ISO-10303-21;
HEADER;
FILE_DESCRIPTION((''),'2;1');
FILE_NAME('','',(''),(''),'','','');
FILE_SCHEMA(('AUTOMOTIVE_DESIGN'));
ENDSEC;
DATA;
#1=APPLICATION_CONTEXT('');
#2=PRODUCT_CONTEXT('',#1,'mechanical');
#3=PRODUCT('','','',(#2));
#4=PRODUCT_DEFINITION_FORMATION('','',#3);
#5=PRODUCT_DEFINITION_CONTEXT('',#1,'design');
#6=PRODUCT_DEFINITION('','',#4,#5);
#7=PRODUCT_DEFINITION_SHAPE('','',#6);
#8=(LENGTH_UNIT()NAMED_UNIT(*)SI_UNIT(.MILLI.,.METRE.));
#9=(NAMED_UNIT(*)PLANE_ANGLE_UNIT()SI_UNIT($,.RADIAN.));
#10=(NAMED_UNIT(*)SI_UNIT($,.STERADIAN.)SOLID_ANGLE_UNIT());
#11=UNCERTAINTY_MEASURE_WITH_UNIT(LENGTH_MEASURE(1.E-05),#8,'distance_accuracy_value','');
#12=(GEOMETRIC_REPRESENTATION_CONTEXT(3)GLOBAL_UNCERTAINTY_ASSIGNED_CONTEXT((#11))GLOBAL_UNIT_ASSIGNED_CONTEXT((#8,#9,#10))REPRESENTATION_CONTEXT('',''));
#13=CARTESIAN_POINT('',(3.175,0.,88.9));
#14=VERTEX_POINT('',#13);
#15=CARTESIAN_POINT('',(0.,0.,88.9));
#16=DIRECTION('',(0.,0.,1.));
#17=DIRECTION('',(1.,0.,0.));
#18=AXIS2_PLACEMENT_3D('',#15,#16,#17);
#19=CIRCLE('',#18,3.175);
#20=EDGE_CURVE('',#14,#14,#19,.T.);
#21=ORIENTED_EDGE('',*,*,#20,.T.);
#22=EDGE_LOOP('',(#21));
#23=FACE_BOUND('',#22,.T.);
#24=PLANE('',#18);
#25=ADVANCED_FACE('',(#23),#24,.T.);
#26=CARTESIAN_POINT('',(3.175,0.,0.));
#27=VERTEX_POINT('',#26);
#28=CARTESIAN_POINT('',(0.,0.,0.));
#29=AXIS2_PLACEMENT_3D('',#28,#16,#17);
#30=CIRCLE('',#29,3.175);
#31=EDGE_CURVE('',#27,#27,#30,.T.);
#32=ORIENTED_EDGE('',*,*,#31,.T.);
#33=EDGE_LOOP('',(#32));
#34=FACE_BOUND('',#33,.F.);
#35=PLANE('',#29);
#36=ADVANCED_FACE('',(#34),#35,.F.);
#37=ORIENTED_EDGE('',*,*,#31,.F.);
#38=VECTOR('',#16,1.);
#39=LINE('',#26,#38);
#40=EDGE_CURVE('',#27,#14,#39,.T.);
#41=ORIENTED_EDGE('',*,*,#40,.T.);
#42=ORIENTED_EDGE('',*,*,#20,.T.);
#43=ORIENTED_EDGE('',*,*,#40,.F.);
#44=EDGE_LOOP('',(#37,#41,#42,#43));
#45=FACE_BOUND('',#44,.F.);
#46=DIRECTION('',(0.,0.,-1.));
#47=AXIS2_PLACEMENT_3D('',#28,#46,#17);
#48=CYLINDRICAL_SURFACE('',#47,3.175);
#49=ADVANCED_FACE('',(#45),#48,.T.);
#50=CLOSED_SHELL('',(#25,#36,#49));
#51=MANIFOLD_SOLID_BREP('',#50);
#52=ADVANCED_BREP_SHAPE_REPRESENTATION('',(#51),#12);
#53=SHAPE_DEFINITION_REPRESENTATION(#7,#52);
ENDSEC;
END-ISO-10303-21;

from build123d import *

# Parameters (mm, degrees)
SKETCH1_R           = 3.175
BOSS_EXTRUDE1_DEPTH = 88.9


with BuildPart() as part:
    # Sketch1 → Boss-Extrude1 (new body)
    with BuildSketch(Plane.XY):
        Circle(SKETCH1_R)
    extrude(amount=BOSS_EXTRUDE1_DEPTH)


solid = part.part
